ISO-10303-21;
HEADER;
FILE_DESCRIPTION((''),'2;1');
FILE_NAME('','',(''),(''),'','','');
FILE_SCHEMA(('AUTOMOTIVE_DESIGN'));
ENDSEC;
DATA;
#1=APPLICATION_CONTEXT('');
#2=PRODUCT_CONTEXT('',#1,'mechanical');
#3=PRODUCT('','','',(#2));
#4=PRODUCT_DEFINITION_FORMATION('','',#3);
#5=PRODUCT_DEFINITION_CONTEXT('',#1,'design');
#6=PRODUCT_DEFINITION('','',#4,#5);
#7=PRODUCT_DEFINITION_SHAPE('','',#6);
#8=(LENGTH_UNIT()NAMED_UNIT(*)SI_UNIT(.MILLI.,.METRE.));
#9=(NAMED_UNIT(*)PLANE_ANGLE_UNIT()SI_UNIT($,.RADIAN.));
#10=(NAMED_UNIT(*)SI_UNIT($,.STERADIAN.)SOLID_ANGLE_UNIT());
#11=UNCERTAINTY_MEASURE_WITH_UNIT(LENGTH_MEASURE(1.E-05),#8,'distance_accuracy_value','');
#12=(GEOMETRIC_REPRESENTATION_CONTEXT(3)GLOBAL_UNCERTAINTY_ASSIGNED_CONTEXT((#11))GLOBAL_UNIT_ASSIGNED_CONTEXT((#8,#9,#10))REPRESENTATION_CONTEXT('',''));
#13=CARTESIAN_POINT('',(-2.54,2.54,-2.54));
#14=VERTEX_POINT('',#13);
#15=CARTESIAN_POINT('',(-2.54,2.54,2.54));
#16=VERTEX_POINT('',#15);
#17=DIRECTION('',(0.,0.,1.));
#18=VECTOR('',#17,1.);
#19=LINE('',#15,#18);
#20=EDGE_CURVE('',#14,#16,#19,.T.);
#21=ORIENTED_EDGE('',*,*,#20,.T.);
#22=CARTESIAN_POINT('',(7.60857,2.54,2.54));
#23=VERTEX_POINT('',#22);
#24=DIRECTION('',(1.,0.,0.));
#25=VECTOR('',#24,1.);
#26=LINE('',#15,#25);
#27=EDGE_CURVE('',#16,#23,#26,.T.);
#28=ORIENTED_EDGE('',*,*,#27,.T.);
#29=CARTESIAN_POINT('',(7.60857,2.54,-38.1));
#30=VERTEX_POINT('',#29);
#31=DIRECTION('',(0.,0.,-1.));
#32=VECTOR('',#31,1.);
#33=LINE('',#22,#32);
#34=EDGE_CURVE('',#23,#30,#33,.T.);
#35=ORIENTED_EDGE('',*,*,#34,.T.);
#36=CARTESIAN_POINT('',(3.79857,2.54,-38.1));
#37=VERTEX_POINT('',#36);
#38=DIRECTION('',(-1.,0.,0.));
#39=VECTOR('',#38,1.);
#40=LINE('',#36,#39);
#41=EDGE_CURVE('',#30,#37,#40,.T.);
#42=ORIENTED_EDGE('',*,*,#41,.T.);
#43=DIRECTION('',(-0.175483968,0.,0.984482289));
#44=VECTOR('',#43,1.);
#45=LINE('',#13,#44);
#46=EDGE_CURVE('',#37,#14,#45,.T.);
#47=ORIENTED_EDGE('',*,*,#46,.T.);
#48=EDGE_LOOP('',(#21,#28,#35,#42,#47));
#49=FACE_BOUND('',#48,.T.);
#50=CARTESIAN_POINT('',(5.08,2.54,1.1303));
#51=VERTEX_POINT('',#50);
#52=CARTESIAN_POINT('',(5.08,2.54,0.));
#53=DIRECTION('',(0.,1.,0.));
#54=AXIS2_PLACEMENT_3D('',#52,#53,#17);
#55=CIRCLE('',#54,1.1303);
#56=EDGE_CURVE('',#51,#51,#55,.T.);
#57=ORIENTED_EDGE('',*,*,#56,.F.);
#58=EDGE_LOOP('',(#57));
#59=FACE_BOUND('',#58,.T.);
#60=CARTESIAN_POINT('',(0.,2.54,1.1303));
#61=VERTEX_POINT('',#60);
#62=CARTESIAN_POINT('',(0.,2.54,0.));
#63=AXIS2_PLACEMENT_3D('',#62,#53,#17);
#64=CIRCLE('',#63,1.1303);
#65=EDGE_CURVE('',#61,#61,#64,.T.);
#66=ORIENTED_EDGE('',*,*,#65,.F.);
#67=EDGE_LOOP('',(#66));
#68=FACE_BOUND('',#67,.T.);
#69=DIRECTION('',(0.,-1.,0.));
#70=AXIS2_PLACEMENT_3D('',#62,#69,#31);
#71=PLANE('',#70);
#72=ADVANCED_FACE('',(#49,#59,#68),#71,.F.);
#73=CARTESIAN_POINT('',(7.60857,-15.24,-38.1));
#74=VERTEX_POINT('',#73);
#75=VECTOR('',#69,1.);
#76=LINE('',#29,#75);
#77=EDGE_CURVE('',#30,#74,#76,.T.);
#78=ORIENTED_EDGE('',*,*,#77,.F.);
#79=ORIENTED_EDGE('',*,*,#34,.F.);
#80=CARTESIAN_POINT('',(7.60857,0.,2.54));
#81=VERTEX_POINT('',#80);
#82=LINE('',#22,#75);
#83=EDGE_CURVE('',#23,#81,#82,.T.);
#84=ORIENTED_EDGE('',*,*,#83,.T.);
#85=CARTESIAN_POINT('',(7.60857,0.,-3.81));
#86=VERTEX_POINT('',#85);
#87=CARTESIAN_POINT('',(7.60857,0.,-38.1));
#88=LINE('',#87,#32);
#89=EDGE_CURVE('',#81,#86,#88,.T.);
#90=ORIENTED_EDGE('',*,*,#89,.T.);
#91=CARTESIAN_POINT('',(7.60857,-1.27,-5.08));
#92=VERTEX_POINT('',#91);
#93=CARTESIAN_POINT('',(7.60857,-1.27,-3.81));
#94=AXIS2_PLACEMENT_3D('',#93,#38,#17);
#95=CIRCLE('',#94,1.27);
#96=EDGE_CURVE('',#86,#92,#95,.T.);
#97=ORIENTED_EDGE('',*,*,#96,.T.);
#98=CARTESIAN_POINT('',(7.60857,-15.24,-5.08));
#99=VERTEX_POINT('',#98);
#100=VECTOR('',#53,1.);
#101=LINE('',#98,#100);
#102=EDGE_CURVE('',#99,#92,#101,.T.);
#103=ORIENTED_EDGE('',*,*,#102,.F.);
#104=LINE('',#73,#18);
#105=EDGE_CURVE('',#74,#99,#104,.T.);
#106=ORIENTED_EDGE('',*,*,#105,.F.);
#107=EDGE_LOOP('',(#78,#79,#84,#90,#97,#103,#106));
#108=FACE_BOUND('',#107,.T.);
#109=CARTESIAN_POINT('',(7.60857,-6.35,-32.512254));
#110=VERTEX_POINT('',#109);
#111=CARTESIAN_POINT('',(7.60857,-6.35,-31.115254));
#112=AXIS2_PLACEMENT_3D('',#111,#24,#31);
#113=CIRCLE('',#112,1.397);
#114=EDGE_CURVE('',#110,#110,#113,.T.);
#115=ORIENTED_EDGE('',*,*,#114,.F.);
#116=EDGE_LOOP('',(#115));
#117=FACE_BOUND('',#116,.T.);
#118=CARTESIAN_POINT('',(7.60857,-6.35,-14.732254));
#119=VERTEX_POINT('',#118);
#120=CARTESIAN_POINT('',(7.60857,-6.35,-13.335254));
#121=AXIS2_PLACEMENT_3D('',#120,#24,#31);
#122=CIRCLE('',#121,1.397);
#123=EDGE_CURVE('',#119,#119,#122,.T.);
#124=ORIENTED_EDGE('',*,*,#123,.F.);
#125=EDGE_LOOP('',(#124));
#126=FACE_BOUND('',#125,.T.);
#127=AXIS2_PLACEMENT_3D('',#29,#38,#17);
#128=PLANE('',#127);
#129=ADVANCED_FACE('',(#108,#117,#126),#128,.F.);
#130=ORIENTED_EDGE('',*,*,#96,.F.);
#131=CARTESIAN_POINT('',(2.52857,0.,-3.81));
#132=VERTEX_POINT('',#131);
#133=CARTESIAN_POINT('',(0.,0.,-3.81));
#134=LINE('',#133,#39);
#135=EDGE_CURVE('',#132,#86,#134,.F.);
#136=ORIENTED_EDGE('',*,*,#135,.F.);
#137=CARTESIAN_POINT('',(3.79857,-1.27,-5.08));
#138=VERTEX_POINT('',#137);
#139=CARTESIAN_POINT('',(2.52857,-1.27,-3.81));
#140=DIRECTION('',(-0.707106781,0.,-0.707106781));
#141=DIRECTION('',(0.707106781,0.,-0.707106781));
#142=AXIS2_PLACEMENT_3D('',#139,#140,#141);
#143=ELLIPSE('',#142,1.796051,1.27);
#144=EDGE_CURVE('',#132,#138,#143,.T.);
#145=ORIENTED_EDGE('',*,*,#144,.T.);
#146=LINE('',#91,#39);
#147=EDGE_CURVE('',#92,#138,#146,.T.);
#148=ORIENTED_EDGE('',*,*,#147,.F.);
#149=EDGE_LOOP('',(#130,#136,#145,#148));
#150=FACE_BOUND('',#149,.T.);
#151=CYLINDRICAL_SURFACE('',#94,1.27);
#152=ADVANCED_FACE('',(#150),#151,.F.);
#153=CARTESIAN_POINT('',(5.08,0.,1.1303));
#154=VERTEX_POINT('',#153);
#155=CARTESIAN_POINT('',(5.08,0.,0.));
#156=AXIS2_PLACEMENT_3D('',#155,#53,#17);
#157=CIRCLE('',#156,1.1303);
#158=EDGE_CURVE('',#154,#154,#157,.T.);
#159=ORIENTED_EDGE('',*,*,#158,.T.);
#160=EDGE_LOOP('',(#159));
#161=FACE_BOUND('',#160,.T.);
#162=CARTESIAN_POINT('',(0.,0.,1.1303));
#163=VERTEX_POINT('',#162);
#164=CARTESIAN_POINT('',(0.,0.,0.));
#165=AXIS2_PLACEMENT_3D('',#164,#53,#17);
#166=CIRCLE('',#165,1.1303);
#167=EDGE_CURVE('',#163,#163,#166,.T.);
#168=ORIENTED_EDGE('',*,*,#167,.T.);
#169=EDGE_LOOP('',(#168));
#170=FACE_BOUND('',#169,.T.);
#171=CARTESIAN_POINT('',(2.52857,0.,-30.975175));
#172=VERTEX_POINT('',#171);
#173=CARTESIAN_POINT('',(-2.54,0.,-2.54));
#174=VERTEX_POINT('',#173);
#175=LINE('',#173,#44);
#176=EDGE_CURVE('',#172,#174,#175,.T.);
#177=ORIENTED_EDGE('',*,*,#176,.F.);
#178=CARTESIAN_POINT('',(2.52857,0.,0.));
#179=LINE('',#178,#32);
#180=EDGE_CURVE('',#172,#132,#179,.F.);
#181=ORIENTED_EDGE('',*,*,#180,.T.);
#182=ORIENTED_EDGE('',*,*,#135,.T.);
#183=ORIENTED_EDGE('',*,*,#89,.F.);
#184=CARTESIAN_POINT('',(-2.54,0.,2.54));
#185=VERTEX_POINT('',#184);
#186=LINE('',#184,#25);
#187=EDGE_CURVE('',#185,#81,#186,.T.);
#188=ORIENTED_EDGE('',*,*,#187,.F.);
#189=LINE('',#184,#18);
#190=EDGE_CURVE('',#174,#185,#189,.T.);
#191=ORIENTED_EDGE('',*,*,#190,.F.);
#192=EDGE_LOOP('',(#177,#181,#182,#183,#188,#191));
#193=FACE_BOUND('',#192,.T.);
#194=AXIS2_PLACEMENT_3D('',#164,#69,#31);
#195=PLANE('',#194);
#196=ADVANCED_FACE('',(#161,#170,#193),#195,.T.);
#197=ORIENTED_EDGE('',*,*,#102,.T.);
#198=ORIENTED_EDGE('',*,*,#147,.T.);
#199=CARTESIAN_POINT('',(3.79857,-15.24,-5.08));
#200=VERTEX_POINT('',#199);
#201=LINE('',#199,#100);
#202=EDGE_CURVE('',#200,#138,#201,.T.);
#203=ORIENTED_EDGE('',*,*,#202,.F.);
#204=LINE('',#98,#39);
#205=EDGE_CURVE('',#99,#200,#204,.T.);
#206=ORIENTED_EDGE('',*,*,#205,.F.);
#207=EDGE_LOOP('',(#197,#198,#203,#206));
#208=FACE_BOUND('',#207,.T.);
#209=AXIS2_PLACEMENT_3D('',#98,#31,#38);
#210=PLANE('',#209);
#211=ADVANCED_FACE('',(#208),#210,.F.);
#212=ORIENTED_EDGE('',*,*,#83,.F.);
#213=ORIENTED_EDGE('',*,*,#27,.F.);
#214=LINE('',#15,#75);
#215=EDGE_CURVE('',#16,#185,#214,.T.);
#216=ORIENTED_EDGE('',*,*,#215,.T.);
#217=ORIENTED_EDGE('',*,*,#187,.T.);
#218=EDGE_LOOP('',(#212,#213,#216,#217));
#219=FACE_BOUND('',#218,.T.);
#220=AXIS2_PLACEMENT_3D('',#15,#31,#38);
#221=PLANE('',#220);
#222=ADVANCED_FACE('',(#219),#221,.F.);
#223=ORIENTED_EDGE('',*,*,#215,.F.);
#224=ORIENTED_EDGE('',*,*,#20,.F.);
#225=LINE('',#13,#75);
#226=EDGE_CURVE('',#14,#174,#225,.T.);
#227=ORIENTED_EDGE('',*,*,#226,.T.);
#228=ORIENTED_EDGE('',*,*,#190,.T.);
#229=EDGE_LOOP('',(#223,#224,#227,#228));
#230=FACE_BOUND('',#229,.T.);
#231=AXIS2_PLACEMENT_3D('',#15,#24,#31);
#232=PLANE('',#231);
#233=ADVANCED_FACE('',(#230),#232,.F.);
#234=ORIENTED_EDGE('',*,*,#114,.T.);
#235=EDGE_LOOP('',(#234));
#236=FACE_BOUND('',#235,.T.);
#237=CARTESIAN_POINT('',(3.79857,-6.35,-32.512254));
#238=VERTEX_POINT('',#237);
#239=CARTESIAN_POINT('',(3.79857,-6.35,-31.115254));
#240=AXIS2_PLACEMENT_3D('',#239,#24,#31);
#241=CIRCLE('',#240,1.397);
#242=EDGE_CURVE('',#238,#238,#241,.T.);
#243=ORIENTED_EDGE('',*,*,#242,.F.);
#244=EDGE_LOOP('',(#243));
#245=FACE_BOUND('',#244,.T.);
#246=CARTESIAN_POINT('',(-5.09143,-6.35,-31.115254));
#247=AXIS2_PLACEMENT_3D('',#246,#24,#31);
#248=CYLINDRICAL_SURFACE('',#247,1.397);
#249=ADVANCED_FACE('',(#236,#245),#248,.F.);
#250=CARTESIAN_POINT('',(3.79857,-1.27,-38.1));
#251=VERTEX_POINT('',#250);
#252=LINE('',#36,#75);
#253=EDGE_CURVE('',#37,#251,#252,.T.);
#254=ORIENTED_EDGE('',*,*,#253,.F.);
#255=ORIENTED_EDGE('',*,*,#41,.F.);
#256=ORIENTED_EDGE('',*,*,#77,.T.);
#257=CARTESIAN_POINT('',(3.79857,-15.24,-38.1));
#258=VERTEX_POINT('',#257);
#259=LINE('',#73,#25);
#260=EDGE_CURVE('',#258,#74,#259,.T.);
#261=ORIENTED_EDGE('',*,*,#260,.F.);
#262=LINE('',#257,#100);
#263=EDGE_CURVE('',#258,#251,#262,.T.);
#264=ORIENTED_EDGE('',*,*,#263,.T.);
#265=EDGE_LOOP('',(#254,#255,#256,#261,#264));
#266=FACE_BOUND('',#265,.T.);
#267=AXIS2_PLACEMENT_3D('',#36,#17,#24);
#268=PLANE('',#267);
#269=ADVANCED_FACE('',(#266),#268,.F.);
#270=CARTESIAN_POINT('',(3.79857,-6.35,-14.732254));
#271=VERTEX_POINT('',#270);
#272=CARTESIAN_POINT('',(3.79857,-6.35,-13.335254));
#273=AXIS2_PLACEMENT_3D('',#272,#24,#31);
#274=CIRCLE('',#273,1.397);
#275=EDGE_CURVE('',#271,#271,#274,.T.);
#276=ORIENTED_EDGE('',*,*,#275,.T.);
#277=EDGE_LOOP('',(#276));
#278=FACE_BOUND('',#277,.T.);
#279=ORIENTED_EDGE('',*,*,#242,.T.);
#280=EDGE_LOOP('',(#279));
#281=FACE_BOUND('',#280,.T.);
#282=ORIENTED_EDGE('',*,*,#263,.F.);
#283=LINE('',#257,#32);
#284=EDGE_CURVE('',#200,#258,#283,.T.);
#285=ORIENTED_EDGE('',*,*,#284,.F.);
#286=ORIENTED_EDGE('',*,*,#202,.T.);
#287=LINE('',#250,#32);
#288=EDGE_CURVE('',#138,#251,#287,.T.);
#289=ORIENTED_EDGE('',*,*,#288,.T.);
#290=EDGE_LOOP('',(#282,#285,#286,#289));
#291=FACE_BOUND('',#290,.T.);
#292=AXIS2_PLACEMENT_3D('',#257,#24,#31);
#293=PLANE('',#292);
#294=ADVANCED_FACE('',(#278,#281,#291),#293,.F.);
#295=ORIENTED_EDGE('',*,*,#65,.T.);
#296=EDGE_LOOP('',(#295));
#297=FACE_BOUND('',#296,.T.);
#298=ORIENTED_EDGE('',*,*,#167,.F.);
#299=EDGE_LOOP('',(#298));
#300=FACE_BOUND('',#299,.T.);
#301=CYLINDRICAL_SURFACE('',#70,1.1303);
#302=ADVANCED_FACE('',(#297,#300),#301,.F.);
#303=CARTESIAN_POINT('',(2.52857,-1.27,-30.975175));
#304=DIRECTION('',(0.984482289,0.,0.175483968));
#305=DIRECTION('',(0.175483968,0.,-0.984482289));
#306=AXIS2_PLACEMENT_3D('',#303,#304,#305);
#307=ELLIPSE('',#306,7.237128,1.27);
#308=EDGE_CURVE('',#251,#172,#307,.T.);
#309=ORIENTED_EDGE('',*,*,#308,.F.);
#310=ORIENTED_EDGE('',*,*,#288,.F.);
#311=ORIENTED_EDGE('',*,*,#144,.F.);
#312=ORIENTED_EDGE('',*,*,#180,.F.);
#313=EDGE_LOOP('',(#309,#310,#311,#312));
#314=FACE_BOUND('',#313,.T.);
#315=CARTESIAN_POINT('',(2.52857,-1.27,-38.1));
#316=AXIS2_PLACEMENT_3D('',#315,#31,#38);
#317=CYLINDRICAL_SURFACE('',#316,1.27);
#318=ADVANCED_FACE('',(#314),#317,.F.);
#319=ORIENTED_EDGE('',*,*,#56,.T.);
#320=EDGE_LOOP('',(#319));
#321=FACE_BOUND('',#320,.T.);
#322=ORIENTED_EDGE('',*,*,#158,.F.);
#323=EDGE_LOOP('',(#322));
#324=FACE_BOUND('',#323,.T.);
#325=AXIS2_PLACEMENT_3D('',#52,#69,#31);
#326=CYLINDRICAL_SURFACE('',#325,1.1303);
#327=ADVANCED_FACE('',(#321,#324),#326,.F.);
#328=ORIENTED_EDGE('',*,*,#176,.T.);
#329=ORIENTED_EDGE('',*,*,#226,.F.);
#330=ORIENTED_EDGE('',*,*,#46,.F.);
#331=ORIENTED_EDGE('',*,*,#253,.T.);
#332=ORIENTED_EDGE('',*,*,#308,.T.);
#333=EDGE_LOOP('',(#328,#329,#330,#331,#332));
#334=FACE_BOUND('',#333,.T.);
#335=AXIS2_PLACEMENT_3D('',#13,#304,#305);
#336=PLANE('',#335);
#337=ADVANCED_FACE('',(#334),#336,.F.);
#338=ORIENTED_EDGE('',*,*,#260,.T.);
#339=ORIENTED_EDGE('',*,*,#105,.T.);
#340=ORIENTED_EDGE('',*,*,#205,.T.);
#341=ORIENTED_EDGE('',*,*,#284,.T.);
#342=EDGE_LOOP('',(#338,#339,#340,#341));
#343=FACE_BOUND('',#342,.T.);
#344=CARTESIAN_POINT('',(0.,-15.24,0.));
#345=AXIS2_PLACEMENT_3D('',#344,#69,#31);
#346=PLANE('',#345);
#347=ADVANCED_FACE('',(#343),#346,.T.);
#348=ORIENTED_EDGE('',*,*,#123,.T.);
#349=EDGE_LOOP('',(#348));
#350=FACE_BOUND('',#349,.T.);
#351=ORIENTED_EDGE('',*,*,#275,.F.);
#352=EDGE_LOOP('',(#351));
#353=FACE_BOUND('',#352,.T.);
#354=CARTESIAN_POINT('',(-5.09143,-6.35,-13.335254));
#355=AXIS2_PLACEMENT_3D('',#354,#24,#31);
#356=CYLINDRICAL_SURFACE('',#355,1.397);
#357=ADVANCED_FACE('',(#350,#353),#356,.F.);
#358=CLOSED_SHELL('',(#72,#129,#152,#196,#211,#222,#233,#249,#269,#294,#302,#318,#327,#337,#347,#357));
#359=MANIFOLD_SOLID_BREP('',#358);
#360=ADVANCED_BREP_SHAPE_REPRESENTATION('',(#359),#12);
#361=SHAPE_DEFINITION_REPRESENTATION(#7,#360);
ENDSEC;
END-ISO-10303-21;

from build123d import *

# Parameters (mm, degrees)
SKETCH1_R           = 1.1303
BOSS_EXTRUDE1_DEPTH = 2.54
SKETCH2_W           = 3.81
SKETCH2_H           = 33.02
BOSS_EXTRUDE2_DEPTH = 15.24
FILLET1_R           = 1.27
SKETCH3_R           = 1.397
CUT_EXTRUDE1_DEPTH  = 12.7


with BuildPart() as part:
    # Sketch1 → Boss-Extrude1 (new body)
    with BuildSketch(Plane(origin=(0, 0, 0), x_dir=(1, 0, 0), z_dir=(0, 1, 0))):
        Polygon((-2.54, 2.54), (3.79857, 38.1), (7.60857, 38.1), (7.60857, 2.54), (7.60857, -2.54), (-2.54, -2.54), align=None)
        with Locations(Location((0, 0, 0), (0, 0, 270))):
            Circle(SKETCH1_R, mode=Mode.SUBTRACT)
        with Locations(Location((5.08, 0, 0), (0, 0, 270))):
            Circle(SKETCH1_R, mode=Mode.SUBTRACT)
    extrude(amount=BOSS_EXTRUDE1_DEPTH)

    # Sketch2 → Boss-Extrude2 (add)
    with BuildSketch(Plane.XZ):
        with Locations((5.70357, -21.59)):
            Rectangle(SKETCH2_W, SKETCH2_H)
    extrude(amount=BOSS_EXTRUDE2_DEPTH)

    # Fillet1
    fillet1_edges = [part.edges().sort_by_distance(p)[0] for p in [
        (5.70357, 0, -5.08),
        (3.79857, 0, -21.59),
    ]]
    fillet(fillet1_edges, radius=FILLET1_R)

    # Sketch3 → Cut-Extrude1 (cut)
    with BuildSketch(Plane(origin=(7.60857, 0, 0), x_dir=(0, 0, -1), z_dir=(1, 0, 0))):
        with Locations((13.335254, -6.35)):
            Circle(SKETCH3_R)
        with Locations((31.115254, -6.35)):
            Circle(SKETCH3_R)
    extrude(amount=-CUT_EXTRUDE1_DEPTH, mode=Mode.SUBTRACT)


solid = part.part
